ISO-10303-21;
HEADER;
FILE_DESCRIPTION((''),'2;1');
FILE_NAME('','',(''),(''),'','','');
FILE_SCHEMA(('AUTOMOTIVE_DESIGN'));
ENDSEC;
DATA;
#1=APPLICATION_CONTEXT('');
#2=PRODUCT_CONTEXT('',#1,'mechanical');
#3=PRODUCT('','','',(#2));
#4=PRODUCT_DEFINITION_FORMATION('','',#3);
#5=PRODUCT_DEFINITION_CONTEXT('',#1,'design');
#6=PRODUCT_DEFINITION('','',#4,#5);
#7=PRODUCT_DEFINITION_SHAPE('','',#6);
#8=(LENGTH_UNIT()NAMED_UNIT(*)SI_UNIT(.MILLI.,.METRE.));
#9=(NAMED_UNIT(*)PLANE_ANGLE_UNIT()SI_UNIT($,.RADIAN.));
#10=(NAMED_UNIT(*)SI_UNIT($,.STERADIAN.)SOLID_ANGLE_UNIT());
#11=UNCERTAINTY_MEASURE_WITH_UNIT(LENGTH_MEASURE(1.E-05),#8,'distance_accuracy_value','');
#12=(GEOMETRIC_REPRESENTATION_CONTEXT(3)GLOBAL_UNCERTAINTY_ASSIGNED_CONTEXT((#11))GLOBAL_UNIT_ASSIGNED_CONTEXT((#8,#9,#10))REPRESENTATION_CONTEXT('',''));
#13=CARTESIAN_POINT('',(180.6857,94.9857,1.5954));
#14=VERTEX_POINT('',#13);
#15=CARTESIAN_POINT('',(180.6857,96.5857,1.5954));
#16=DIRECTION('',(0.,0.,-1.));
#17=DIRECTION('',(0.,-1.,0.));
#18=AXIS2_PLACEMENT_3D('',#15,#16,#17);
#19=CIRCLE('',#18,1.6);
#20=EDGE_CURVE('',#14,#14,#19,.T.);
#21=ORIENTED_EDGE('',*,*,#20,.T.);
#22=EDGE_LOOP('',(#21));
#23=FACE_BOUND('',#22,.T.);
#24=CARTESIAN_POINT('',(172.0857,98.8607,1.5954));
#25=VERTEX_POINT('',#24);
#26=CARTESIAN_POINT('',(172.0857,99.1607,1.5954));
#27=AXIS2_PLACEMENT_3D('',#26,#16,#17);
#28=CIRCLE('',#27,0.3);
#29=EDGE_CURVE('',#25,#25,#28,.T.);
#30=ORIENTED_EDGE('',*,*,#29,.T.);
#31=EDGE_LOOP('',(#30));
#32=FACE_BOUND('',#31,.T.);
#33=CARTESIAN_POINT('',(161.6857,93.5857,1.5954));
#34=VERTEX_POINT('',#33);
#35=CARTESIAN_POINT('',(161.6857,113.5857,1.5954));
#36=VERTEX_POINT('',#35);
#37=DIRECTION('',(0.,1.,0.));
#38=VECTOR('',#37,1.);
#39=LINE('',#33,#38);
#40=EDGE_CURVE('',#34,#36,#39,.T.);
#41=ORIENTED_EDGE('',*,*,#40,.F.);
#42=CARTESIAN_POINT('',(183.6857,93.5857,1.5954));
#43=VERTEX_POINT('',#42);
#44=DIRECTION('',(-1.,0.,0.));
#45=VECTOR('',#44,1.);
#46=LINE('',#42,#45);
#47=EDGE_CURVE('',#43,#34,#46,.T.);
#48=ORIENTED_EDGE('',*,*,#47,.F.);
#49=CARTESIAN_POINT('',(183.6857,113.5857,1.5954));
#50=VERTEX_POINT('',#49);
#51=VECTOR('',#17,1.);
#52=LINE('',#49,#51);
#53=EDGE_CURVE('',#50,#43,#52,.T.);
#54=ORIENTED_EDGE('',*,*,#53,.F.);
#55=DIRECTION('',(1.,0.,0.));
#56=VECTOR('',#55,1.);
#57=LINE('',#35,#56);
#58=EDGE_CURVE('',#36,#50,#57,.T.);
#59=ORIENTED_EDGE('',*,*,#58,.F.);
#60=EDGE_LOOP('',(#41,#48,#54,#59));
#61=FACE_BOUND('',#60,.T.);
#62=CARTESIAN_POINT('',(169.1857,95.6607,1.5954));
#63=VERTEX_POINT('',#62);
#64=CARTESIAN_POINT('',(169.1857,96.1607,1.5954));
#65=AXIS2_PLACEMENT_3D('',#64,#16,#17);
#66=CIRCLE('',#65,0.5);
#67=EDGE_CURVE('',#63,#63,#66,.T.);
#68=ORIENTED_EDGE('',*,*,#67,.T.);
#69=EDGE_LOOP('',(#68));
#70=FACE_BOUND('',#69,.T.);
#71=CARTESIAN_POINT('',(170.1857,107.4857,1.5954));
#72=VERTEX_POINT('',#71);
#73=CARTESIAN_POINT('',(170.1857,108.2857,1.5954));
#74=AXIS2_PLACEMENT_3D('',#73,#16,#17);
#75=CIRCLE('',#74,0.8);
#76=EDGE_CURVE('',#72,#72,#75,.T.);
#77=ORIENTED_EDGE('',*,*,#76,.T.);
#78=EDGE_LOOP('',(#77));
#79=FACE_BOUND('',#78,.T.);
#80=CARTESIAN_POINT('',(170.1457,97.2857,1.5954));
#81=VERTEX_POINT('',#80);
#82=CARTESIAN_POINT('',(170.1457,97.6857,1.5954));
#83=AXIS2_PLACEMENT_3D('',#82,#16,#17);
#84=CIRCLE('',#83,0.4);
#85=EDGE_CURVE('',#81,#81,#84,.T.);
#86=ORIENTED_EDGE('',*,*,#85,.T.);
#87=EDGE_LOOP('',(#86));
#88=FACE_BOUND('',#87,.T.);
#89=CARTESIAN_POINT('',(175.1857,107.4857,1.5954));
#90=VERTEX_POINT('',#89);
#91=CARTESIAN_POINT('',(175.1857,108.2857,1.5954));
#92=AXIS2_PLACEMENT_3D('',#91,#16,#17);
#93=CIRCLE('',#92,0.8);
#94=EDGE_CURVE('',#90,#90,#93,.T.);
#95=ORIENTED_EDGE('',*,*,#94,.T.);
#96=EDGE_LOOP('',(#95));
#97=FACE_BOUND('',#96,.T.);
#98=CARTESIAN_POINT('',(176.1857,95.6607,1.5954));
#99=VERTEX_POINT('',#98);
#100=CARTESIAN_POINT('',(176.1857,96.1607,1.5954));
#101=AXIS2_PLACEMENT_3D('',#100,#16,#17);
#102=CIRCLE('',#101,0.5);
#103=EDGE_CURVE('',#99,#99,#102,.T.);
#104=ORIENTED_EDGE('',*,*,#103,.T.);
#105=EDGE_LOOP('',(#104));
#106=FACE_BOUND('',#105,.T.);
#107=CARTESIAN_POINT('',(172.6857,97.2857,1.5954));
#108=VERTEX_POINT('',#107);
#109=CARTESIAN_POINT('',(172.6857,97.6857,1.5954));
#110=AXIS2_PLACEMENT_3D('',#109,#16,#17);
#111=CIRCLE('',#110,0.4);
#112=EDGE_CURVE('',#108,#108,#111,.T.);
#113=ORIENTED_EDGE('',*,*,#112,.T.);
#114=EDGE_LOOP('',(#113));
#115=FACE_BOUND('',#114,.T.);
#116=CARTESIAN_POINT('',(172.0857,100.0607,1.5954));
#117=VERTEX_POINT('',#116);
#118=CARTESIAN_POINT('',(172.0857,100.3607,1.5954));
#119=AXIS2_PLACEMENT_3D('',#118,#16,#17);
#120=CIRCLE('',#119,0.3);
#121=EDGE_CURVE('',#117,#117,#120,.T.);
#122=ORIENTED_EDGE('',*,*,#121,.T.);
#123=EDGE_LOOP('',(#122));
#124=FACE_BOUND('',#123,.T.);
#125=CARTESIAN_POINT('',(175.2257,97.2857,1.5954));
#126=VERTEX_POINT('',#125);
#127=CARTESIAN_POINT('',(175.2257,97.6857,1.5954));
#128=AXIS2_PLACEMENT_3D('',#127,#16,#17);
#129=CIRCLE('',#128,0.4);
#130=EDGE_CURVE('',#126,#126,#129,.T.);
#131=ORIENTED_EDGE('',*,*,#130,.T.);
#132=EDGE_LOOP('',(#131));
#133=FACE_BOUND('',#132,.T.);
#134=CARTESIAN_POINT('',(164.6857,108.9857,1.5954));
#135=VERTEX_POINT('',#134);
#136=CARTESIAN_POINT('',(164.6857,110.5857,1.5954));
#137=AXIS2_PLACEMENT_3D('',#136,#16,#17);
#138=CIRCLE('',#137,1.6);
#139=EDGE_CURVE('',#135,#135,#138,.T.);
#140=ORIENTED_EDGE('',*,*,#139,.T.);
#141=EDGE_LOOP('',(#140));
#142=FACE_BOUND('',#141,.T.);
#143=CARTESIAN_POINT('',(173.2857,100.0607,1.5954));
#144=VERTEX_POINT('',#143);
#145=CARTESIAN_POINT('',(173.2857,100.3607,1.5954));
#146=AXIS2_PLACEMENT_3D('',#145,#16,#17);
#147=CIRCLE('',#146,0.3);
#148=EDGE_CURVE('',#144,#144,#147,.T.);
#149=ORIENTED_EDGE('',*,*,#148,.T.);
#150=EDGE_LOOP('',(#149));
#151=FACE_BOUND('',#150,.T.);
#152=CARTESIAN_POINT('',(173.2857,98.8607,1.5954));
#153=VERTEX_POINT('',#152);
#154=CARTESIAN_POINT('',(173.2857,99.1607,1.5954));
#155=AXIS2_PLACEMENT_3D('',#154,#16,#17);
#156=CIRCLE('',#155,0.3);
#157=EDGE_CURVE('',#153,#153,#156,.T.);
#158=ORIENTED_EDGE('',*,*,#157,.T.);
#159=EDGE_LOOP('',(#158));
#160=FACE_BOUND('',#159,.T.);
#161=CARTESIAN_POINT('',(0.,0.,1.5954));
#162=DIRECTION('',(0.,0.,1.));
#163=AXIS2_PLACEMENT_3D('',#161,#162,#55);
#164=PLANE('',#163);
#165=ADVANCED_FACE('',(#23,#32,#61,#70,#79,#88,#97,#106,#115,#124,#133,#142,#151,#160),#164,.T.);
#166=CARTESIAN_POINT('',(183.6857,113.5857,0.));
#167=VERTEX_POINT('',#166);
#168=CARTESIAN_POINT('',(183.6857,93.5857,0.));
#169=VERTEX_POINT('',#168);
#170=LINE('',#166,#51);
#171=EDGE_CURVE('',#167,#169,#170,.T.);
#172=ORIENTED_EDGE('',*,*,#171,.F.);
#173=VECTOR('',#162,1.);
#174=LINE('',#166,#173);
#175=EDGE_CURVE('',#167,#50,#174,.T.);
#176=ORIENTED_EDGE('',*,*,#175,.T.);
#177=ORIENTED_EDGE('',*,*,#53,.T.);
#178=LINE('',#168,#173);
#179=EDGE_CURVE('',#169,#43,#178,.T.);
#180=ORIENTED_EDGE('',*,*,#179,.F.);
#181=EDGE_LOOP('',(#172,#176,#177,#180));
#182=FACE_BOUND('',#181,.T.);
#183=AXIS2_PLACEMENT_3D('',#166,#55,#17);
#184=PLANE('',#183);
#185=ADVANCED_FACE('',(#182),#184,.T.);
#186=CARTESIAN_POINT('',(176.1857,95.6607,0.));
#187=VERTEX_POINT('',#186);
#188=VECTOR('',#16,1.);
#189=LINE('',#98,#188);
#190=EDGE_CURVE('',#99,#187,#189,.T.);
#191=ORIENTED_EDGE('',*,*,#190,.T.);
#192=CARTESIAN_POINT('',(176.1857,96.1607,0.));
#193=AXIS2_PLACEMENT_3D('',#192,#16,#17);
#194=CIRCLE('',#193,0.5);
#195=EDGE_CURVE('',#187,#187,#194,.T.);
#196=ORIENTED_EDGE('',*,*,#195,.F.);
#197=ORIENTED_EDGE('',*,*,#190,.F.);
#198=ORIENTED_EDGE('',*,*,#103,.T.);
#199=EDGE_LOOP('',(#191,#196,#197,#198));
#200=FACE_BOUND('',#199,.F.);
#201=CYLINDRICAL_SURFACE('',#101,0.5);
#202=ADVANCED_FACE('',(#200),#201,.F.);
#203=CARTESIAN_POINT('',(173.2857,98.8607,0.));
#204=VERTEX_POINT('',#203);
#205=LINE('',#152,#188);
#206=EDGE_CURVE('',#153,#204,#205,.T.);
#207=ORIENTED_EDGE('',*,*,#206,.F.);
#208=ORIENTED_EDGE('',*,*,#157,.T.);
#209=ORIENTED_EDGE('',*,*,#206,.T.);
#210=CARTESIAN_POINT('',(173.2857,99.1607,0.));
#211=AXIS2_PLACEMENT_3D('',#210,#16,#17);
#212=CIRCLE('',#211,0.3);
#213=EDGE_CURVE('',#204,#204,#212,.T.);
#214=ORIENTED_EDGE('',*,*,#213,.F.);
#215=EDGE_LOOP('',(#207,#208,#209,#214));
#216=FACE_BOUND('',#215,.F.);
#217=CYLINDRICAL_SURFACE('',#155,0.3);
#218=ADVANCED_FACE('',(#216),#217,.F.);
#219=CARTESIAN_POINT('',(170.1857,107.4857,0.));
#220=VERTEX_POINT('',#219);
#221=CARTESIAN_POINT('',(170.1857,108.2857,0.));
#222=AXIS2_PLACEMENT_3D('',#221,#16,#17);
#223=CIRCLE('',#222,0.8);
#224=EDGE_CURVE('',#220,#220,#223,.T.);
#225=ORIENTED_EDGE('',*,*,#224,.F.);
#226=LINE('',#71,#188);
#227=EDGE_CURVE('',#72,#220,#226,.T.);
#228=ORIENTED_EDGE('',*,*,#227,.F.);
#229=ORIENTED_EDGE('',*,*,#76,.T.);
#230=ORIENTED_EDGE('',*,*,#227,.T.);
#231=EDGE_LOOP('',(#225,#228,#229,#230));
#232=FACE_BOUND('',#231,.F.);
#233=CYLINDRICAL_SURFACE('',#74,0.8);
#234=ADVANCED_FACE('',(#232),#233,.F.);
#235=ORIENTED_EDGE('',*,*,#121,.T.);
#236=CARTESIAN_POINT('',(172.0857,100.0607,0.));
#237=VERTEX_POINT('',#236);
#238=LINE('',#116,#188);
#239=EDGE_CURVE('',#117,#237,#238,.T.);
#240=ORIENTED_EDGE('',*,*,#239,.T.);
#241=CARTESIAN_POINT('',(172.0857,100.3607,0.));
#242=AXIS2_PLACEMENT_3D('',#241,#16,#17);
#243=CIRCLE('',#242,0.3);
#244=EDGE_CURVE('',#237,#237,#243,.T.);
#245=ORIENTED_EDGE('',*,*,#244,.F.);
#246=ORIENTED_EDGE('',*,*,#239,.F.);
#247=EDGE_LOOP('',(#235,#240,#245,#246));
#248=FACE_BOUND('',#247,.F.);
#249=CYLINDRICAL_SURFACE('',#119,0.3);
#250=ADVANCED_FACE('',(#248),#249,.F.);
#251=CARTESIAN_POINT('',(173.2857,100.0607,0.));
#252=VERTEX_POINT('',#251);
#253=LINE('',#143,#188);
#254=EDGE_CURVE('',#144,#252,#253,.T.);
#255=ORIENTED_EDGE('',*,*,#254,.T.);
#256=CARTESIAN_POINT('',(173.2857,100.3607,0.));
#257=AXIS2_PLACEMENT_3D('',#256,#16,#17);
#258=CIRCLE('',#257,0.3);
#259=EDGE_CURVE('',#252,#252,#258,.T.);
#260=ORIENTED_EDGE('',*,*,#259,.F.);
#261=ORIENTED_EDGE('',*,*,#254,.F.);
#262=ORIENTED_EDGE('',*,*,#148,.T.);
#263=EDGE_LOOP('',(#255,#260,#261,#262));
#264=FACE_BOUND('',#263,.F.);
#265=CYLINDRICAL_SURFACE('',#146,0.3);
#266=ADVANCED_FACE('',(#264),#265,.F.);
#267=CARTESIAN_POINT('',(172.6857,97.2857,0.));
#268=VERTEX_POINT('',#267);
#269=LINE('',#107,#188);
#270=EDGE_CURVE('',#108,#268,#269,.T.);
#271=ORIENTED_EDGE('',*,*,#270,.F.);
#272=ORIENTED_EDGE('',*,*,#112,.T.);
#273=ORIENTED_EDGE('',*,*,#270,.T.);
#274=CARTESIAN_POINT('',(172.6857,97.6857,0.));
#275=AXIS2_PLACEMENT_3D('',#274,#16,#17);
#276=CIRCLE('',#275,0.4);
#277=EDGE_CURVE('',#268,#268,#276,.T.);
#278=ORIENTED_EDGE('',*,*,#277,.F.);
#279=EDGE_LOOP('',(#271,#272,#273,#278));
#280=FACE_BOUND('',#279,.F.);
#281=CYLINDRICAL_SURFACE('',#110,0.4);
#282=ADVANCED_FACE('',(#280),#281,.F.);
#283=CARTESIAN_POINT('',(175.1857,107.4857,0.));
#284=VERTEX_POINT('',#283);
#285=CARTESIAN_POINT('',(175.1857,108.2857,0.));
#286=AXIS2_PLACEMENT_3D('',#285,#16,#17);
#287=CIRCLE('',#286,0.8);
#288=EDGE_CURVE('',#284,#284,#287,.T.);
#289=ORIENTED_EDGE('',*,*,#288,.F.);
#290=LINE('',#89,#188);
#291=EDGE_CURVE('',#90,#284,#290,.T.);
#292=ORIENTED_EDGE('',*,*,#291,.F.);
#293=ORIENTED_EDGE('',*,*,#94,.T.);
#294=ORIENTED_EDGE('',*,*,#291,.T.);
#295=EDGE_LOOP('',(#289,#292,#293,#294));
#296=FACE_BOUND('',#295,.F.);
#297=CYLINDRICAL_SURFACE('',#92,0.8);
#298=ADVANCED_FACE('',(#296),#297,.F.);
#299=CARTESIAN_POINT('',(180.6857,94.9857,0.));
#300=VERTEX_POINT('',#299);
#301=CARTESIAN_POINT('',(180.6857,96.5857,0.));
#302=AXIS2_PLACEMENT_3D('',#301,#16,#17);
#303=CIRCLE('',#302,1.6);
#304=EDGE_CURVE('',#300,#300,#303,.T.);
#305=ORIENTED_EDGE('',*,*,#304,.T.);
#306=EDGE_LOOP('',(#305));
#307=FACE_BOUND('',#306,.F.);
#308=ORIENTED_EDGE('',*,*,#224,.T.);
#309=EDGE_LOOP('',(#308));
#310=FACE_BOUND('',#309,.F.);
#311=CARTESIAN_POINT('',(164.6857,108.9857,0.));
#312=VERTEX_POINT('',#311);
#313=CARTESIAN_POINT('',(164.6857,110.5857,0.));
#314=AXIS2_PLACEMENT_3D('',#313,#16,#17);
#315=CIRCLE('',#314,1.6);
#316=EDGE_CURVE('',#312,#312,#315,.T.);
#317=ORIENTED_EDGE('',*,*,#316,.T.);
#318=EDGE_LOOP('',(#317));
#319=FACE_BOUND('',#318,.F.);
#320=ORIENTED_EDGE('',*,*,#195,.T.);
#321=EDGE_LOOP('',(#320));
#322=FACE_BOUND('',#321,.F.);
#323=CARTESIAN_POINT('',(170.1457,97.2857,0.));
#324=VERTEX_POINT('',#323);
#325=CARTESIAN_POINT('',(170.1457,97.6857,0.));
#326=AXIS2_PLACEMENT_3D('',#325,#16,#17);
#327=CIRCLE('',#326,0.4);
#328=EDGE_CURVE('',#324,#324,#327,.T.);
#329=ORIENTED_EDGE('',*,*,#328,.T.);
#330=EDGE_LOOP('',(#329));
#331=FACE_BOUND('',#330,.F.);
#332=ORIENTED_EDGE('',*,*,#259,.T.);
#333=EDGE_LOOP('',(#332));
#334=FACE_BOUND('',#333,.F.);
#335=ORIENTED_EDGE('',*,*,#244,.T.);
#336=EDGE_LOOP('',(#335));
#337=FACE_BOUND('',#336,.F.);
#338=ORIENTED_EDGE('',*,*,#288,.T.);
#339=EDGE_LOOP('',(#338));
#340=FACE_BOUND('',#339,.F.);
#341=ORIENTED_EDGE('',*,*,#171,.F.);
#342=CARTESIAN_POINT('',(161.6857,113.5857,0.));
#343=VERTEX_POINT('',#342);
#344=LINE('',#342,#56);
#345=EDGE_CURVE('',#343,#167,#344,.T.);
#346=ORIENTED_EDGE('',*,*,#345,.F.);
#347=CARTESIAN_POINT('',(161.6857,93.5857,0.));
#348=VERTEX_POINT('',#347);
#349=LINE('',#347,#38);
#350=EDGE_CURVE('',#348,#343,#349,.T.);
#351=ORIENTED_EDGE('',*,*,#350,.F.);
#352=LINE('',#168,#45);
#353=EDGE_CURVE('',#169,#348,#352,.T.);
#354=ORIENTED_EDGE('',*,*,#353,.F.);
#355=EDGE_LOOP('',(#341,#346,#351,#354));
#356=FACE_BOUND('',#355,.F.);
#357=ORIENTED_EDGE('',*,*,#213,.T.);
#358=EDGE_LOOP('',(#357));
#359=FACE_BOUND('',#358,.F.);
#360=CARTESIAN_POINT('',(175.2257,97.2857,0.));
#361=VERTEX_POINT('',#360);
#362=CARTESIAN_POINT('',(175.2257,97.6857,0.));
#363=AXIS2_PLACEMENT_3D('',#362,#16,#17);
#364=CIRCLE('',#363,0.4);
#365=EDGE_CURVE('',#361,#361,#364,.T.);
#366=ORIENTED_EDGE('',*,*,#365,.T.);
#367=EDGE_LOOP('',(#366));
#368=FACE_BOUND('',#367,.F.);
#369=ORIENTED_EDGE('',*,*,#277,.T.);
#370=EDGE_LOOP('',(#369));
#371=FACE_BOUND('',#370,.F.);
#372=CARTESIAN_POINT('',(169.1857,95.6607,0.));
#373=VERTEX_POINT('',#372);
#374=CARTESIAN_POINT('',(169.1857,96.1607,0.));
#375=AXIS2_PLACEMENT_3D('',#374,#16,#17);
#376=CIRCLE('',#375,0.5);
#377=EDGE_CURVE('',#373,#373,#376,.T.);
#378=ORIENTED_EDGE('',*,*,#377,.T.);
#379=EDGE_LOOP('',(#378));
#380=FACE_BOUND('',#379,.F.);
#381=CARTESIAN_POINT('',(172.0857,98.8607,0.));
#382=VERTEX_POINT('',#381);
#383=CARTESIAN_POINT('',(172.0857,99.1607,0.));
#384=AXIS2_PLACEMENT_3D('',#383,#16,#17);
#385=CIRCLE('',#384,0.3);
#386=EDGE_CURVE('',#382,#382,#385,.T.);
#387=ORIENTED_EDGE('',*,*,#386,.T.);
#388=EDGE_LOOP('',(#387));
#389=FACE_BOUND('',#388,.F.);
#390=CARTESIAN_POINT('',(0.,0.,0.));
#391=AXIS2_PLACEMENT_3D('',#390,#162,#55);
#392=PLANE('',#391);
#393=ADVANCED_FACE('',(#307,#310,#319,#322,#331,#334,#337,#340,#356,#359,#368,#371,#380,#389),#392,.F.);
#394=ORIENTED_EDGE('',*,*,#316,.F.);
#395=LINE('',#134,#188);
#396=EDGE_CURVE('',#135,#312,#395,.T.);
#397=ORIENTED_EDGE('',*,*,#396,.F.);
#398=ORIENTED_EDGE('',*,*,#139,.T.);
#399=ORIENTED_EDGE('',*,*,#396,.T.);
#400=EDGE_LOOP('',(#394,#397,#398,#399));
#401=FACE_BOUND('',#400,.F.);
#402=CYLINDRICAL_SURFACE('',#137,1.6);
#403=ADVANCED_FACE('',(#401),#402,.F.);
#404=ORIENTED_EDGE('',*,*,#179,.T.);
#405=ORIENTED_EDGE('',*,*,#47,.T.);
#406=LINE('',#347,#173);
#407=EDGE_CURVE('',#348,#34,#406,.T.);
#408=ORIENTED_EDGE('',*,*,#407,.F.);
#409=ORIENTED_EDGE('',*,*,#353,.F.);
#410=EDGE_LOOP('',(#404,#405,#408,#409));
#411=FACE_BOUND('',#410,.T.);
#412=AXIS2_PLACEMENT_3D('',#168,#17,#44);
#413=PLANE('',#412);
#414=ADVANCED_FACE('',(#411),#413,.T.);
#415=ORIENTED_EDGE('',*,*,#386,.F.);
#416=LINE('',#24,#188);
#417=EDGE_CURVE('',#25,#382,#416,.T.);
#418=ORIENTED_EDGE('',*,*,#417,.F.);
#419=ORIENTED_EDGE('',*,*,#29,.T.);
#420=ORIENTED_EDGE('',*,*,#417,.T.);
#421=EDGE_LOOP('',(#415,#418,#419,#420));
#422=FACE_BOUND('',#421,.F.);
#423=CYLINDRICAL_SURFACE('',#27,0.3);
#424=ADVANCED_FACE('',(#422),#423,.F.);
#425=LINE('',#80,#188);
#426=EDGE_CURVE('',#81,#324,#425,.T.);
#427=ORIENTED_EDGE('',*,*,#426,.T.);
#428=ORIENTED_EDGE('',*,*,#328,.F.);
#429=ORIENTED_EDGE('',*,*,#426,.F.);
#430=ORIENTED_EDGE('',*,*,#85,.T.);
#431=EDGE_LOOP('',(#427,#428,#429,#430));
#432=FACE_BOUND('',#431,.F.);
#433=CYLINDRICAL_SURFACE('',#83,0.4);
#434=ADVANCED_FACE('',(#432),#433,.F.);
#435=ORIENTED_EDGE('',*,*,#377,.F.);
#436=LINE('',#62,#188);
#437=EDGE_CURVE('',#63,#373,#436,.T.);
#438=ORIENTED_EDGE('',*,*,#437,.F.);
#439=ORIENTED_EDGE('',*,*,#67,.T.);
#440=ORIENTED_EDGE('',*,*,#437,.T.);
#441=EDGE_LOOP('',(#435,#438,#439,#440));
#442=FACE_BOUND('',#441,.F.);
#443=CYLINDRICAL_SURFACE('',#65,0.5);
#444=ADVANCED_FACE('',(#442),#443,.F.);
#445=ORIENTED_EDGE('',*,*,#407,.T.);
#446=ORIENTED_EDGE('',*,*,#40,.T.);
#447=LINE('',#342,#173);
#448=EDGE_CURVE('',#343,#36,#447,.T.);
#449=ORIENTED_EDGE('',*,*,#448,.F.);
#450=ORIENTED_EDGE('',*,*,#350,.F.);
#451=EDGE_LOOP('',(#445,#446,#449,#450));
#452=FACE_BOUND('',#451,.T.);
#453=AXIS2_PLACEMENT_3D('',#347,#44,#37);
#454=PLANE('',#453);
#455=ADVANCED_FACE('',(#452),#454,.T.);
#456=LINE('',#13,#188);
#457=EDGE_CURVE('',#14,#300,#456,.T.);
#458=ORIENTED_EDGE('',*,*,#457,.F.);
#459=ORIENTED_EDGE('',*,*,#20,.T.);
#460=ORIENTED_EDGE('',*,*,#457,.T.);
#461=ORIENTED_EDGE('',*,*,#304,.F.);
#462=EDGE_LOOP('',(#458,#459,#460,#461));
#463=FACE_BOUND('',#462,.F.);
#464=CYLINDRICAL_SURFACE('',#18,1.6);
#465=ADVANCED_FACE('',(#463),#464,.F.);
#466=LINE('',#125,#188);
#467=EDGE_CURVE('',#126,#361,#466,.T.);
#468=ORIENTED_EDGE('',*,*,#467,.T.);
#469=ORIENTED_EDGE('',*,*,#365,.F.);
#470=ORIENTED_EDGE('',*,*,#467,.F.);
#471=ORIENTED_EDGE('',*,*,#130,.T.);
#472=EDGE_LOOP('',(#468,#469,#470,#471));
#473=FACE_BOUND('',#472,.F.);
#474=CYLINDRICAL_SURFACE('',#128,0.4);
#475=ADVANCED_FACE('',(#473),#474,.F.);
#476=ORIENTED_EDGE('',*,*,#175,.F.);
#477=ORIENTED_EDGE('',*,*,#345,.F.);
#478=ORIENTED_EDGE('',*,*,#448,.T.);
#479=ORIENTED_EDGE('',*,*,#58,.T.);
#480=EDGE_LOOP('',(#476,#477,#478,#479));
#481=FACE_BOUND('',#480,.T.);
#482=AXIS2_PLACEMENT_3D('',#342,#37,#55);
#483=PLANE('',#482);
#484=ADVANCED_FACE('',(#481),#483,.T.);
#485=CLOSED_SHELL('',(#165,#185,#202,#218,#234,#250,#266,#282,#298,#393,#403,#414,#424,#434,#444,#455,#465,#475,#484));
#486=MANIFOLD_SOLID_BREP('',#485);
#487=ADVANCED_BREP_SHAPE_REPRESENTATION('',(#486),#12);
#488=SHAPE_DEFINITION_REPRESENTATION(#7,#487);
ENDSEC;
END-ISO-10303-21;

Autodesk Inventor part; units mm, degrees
ref_plane "YZ Plane" through (0, 0, 0) normal (1, 0, 0) x (0, 1, 0)
ref_plane "XZ Plane" through (0, 0, 0) normal (0, 1, 0) x (-1, 0, 0)
ref_plane "BoardFrontPlane" through (0, 0, 0) normal (0, 0, 1) x (1, 0, 0)
sketch "Sketch1" plane through (0, 0, 0) normal (0, 0, 1) x (1, 0, 0)
  line L0 (161.6857, 93.5857) -> (161.6857, 113.5857)
  line L1 (161.6857, 113.5857) -> (183.6857, 113.5857)
  line L2 (183.6857, 113.5857) -> (183.6857, 93.5857)
  line L3 (183.6857, 93.5857) -> (161.6857, 93.5857)
extrude "BoardOutline" add sketch "Sketch1" along normal blind 1.5954
sketch "Sketch10" plane through (0, 0, 1.5954) normal (0, 0, 1) x (1, 0, 0)
  point P0 (175.1857, 108.2857)
hole "CN3-1" at (175.1857, 108.2857, 1.5954) direction (0, 0, -1) diameter 1.6 end through all
sketch "Sketch11" plane through (0, 0, 1.5954) normal (0, 0, 1) x (1, 0, 0)
  point P0 (170.1857, 108.2857)
hole "CN3-2" at (170.1857, 108.2857, 1.5954) direction (0, 0, -1) diameter 1.6 end through all
sketch "Sketch12" plane through (0, 0, 1.5954) normal (0, 0, 1) x (1, 0, 0)
  point P0 (164.6857, 110.5857)
hole "Free-1" at (164.6857, 110.5857, 1.5954) direction (0, 0, -1) diameter 3.2 end through all
sketch "Sketch13" plane through (0, 0, 1.5954) normal (0, 0, 1) x (1, 0, 0)
  point P0 (180.6857, 96.5857)
hole "Free-0" at (180.6857, 96.5857, 1.5954) direction (0, 0, -1) diameter 3.2 end through all
sketch "img_Top" plane through (0, 0, 1.5954) normal (0, 0, 1) x (1, 0, 0)
  line L0 (161.6857, 113.5857) -> (183.6857, 113.5857) construction
  line L1 (183.6857, 113.5857) -> (183.6857, 93.5926) construction
  line L2 (183.6857, 93.5926) -> (161.6857, 93.5926) construction
  line L3 (161.6857, 93.5926) -> (161.6857, 113.5857) construction
decal "Decal_Top"
sketch "img_Bottom" plane through (0, 0, -1.5954) normal (0, 0, -1) x (1, 0, 0)
  line L0 (161.6857, -93.5857) -> (183.6857, -93.5857) construction
  line L1 (183.6857, -93.5857) -> (183.6857, -113.5787) construction
  line L2 (183.6857, -113.5787) -> (161.6857, -113.5787) construction
  line L3 (161.6857, -113.5787) -> (161.6857, -93.5857) construction
decal "Decal_Bottom"
sketch "Sketch16" plane through (0, 0, 1.5954) normal (0, 0, 1) x (1, 0, 0)
  point P0 (172.0857, 99.1607)
hole "CN2-4" at (172.0857, 99.1607, 1.5954) direction (0, 0, -1) diameter 0.6 end through all
sketch "Sketch17" plane through (0, 0, 1.5954) normal (0, 0, 1) x (1, 0, 0)
  point P0 (172.0857, 100.3607)
hole "CN2-1" at (172.0857, 100.3607, 1.5954) direction (0, 0, -1) diameter 0.6 end through all
sketch "Sketch18" plane through (0, 0, 1.5954) normal (0, 0, 1) x (1, 0, 0)
  point P0 (173.2857, 99.1607)
hole "CN2-3" at (173.2857, 99.1607, 1.5954) direction (0, 0, -1) diameter 0.6 end through all
sketch "Sketch19" plane through (0, 0, 1.5954) normal (0, 0, 1) x (1, 0, 0)
  point P0 (173.2857, 100.3607)
hole "CN2-2" at (173.2857, 100.3607, 1.5954) direction (0, 0, -1) diameter 0.6 end through all
sketch "Sketch20" plane through (0, 0, 1.5954) normal (0, 0, 1) x (1, 0, 0)
  point P0 (169.1857, 96.1607)
hole "CN2-0_SEOGABLU" at (169.1857, 96.1607, 1.5954) direction (0, 0, -1) diameter 1 end through all
sketch "Sketch21" plane through (0, 0, 1.5954) normal (0, 0, 1) x (1, 0, 0)
  point P0 (176.1857, 96.1607)
hole "CN2-0_AERYPNHJ" at (176.1857, 96.1607, 1.5954) direction (0, 0, -1) diameter 1 end through all
sketch "Sketch22" plane through (0, 0, 1.5954) normal (0, 0, 1) x (1, 0, 0)
  point P0 (172.6857, 97.6857)
hole "CN1-2" at (172.6857, 97.6857, 1.5954) direction (0, 0, -1) diameter 0.8 end through all
sketch "Sketch23" plane through (0, 0, 1.5954) normal (0, 0, 1) x (1, 0, 0)
  point P0 (170.1457, 97.6857)
hole "CN1-3" at (170.1457, 97.6857, 1.5954) direction (0, 0, -1) diameter 0.8 end through all
sketch "Sketch24" plane through (0, 0, 1.5954) normal (0, 0, 1) x (1, 0, 0)
  point P0 (175.2257, 97.6857)
hole "CN1-1" at (175.2257, 97.6857, 1.5954) direction (0, 0, -1) diameter 0.8 end through all
properties part number "valve_driver_BOARD"
